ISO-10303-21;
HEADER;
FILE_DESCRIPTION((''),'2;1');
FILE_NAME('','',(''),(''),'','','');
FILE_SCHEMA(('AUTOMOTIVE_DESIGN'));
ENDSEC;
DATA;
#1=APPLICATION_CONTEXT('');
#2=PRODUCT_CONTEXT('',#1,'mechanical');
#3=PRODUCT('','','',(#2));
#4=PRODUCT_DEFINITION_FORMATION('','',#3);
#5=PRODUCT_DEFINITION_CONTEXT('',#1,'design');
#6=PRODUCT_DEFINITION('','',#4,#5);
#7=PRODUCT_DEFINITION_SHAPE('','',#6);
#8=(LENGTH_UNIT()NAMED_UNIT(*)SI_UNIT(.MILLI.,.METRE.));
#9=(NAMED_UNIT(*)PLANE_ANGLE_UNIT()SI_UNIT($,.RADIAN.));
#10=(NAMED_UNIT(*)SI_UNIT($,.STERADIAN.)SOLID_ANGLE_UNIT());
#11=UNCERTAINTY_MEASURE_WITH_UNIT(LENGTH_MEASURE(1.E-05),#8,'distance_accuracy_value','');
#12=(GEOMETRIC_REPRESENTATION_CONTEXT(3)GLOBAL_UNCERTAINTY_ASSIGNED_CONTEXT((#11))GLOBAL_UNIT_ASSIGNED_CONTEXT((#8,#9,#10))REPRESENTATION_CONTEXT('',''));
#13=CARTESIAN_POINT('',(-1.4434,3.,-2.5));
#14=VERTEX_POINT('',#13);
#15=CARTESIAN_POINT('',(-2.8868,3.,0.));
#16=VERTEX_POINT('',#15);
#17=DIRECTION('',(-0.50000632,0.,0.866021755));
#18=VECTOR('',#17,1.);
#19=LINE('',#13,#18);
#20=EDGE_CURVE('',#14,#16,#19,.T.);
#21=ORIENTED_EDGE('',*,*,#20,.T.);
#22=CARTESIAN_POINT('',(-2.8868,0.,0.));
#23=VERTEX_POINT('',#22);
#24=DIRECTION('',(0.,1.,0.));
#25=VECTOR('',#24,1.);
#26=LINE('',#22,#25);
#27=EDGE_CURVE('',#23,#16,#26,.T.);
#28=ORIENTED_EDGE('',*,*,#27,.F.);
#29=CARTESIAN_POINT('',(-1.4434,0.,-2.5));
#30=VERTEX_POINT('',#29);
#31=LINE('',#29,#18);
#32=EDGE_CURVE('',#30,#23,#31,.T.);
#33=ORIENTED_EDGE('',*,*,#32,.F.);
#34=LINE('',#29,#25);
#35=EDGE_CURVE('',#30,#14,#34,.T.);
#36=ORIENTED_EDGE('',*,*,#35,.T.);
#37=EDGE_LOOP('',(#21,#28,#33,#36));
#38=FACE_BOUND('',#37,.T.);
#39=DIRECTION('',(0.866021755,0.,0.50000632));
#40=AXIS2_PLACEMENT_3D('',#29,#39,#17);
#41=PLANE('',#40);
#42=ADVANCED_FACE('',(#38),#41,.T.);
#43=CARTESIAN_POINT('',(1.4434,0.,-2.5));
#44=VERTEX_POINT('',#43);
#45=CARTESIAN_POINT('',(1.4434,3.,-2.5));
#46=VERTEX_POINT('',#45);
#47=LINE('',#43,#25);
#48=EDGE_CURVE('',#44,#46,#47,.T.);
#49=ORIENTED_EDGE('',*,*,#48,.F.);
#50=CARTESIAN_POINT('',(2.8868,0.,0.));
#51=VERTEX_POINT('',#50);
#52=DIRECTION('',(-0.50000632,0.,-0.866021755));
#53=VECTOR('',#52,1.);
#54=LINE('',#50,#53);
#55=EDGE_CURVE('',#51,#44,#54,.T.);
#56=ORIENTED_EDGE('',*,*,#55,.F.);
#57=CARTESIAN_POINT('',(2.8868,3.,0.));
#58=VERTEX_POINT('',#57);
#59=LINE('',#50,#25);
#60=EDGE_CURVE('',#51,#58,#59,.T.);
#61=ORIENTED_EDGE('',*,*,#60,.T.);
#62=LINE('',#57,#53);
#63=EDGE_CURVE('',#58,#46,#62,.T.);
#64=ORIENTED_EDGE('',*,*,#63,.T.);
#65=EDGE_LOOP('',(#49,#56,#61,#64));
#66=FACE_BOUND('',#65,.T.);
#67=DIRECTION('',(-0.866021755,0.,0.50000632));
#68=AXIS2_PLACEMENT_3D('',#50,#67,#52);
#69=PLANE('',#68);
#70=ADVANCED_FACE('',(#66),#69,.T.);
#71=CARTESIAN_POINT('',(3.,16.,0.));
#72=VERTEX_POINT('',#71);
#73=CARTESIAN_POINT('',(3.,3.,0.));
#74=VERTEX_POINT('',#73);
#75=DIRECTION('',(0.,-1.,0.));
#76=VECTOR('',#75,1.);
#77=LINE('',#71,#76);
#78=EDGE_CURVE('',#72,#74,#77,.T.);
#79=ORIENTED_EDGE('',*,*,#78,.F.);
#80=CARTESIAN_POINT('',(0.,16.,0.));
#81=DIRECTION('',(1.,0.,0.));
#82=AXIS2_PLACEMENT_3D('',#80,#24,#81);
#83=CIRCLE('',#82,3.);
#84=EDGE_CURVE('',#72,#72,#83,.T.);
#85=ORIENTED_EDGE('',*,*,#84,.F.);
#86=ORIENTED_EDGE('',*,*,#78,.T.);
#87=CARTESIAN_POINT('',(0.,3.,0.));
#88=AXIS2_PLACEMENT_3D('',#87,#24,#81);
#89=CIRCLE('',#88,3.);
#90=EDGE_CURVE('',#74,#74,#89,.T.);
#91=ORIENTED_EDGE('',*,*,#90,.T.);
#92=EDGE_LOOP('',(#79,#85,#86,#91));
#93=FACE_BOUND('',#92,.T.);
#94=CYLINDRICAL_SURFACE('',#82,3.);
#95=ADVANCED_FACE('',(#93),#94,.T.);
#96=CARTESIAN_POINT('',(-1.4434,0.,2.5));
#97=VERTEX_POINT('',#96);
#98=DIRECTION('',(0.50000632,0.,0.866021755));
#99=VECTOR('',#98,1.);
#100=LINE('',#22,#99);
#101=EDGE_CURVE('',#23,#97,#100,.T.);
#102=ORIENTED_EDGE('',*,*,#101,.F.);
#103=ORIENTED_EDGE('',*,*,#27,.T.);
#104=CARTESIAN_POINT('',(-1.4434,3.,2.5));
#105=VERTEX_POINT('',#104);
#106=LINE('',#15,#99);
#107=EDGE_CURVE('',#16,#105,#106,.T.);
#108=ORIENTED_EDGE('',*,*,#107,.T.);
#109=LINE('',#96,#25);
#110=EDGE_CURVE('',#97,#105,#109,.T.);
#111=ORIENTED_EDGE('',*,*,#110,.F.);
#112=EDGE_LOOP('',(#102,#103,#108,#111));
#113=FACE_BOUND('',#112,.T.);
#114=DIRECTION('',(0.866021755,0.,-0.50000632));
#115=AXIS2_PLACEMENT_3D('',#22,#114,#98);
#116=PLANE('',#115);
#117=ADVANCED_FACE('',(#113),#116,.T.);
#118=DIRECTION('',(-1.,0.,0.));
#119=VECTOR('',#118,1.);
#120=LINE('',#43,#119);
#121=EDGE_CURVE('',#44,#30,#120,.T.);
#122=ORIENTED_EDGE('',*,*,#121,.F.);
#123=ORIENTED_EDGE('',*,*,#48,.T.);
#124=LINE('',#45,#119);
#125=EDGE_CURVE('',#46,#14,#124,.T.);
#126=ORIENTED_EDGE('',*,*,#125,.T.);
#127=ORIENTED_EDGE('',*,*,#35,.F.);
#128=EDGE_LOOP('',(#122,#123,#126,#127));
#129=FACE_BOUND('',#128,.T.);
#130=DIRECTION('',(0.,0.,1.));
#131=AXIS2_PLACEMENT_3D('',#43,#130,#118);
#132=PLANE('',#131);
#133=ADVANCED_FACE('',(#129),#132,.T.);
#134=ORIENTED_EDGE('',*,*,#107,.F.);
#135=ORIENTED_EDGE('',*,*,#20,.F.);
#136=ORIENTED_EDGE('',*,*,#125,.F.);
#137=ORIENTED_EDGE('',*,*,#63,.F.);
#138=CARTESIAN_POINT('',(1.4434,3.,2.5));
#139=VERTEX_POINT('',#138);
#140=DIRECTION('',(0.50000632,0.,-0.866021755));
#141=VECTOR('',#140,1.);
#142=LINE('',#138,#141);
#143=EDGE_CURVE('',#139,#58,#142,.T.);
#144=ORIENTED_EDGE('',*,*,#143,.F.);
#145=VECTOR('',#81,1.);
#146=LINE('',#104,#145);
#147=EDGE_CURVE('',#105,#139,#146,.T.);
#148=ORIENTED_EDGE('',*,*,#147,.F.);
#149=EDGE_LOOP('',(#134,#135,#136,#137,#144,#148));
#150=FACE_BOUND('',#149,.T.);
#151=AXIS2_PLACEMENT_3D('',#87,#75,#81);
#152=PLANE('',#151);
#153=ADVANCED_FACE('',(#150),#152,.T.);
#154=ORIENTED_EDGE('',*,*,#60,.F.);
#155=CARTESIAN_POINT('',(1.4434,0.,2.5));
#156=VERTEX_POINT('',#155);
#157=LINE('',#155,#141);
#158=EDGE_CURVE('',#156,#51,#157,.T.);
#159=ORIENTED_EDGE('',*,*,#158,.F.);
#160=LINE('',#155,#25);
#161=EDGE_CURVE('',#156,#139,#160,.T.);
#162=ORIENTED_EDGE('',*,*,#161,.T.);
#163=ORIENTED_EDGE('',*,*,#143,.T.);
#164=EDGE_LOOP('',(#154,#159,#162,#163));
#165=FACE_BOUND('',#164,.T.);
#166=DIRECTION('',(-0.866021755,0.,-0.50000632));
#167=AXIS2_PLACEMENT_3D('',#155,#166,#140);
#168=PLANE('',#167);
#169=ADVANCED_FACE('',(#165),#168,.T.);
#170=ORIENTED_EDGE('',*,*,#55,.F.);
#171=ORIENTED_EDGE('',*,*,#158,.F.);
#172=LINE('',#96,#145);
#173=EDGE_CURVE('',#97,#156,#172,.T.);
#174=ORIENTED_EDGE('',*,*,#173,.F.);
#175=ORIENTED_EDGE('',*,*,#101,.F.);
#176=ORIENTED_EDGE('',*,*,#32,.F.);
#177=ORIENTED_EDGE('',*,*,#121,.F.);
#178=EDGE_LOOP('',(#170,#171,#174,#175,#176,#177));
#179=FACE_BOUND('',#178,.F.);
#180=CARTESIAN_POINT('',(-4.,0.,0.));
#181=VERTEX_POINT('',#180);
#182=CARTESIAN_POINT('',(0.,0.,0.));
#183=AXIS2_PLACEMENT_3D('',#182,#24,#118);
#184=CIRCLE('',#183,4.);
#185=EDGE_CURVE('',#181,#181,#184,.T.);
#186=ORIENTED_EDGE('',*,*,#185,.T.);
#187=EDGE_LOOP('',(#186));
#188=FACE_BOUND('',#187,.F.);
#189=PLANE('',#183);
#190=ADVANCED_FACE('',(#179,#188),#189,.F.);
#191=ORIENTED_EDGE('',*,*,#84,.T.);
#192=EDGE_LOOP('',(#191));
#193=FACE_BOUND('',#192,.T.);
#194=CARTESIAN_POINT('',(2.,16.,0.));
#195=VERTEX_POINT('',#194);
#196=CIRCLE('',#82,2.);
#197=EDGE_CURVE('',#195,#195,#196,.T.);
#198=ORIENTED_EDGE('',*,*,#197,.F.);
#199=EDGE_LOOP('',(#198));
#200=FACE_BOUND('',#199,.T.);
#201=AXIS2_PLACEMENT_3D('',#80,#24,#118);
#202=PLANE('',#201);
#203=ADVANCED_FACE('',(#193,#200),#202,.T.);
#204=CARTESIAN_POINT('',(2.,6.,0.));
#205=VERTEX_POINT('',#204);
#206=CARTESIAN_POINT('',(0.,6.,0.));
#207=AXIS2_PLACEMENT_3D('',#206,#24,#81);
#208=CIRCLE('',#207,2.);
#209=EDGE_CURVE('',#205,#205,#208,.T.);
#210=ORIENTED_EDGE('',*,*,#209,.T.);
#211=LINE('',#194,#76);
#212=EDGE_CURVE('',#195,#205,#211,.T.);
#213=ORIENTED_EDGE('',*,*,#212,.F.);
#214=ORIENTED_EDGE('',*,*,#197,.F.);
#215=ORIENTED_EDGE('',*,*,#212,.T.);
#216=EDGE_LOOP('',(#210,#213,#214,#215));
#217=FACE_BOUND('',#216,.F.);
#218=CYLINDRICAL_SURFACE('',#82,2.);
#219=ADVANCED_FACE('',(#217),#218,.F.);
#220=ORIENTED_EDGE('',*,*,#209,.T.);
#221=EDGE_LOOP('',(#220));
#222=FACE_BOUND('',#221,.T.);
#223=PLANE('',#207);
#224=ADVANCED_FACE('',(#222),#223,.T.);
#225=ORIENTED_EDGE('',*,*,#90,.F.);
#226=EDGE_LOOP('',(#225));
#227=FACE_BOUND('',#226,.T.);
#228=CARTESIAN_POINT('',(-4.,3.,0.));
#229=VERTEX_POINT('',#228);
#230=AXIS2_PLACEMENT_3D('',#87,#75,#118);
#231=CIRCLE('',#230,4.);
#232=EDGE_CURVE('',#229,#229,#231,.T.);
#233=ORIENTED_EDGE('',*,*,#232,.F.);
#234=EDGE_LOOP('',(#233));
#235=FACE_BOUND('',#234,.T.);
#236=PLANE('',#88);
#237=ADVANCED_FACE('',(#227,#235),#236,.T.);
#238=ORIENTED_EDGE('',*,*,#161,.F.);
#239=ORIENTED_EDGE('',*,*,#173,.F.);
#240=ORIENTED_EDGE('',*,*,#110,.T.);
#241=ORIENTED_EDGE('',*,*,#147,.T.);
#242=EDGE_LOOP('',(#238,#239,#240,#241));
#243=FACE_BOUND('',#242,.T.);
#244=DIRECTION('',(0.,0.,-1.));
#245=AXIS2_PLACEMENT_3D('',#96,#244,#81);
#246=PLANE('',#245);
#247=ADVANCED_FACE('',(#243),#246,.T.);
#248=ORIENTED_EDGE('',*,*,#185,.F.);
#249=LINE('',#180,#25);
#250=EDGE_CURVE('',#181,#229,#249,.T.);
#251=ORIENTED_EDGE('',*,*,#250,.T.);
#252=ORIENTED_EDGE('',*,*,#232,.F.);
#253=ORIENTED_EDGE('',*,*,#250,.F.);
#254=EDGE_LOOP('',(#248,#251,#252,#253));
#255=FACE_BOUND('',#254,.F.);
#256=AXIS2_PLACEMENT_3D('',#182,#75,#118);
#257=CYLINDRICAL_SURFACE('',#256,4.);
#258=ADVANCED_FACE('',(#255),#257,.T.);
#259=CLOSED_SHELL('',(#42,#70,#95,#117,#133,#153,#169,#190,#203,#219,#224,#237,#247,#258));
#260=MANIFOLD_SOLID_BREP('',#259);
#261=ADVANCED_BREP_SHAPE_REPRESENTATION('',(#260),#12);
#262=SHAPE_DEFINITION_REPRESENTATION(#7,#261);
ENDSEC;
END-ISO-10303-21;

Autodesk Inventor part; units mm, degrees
ref_plane "YZ Plane" through (0, 0, 0) normal (1, 0, 0) x (0, 1, 0)
ref_plane "XZ Plane" through (0, 0, 0) normal (0, 1, 0) x (-1, 0, 0)
ref_plane "XY Plane" through (0, 0, 0) normal (0, 0, 1) x (1, 0, 0)
sketch "Náčrt1" plane through (0, 0, 0) normal (0, 1, 0) x (-1, 0, 0)
  circle A0 centre (0, 0) radius 4
  dimension "nutOuterDia" = 8
extrude "Vysunutí2" add sketch "Náčrt1" along normal blind 16
sketch "Náčrt3" plane through (0, 0, 0) normal (0, -1, 0) x (1, 0, 0)
  circle A0 centre (0, 0) radius 4 projected
  line L0 (-2.8868, 0) -> (-1.4434, 2.5)
  line L1 (-1.4434, 2.5) -> (1.4434, 2.5)
  line L2 (1.4434, 2.5) -> (2.8868, 0)
  line L3 (2.8868, 0) -> (1.4434, -2.5)
  line L4 (1.4434, -2.5) -> (-1.4434, -2.5)
  line L5 (-1.4434, -2.5) -> (-2.8868, 0)
  dimension "keyHoleSize" = 5
extrude "Vysunutí3" cut sketch "Náčrt3" against normal blind 3 contours L0 L1 L2 L3 L4 L5
sketch "Náčrt4" plane through (0, 16, 0) normal (0, 1, 0) x (1, 0, 0)
  circle A0 centre (0, 0) radius 4 projected
  circle A1 centre (0, 0) radius 3
extrude "Vysunutí4" cut sketch "Náčrt4" against normal blind 13
sketch "Náčrt5" plane through (0, 16, 0) normal (0, 1, 0) x (1, 0, 0)
  circle A0 centre (0, 0) radius 3 projected
  circle A1 centre (0, 0) radius 2
extrude "Vysunutí5" cut sketch "Náčrt5" against normal blind 10 contours A1
thread "Závit2" size "M4x0.7" class "6H" standard "ANSI Metric M Profile" full length
properties part number "nut"
